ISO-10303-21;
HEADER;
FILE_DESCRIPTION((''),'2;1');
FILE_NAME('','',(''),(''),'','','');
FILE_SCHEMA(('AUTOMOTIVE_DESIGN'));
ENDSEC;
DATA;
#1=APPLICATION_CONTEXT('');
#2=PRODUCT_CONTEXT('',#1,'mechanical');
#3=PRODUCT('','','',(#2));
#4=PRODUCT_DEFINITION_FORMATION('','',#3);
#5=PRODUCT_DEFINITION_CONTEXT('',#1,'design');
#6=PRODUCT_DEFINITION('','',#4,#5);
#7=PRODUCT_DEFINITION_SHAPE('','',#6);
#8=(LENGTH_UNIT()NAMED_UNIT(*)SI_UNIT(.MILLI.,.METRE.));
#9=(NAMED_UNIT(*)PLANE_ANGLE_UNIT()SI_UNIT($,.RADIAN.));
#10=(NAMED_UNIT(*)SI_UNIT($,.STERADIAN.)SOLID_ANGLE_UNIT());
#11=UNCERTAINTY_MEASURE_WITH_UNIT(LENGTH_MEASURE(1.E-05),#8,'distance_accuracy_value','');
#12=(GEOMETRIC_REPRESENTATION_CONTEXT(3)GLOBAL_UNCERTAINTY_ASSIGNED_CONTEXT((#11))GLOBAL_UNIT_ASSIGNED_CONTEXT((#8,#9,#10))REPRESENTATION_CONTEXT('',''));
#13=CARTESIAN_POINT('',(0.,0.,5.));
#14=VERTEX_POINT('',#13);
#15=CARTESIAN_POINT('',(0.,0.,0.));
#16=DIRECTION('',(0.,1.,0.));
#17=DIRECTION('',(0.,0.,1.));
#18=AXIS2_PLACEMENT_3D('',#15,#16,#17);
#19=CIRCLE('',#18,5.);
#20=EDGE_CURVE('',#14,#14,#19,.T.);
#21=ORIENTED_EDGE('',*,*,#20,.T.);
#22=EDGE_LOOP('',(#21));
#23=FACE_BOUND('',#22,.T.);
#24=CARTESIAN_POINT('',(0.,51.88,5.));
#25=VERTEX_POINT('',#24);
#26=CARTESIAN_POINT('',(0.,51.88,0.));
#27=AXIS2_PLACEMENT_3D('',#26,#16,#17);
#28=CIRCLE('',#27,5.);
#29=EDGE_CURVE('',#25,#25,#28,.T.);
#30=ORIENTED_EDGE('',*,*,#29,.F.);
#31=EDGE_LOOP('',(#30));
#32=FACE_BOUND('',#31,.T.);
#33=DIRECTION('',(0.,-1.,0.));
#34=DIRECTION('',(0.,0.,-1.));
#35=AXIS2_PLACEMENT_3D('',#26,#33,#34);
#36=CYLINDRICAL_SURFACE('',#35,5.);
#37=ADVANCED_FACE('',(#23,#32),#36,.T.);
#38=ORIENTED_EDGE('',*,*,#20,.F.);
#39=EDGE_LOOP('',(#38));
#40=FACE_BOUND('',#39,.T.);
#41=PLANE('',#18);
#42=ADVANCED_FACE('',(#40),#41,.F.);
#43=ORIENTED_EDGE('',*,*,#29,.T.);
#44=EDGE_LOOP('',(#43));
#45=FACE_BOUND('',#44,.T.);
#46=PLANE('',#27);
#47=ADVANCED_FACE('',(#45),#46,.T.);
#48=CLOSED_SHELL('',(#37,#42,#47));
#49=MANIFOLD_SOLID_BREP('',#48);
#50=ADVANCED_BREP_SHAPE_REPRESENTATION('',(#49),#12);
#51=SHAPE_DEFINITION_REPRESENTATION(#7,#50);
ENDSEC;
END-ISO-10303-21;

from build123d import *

# Parameters (mm, degrees)
SKETCH1_R           = 5.000000033
BOSS_EXTRUDE1_DEPTH = 51.880000126


with BuildPart() as part:
    # Sketch1 → Boss-Extrude1 (new body)
    with BuildSketch(Plane(origin=(0, 0, 0), x_dir=(1, 0, 0), z_dir=(0, 1, 0))):
        with Locations(Location((0, 0, 0), (0, 0, 270))):
            Circle(SKETCH1_R)
    extrude(amount=BOSS_EXTRUDE1_DEPTH)


solid = part.part
